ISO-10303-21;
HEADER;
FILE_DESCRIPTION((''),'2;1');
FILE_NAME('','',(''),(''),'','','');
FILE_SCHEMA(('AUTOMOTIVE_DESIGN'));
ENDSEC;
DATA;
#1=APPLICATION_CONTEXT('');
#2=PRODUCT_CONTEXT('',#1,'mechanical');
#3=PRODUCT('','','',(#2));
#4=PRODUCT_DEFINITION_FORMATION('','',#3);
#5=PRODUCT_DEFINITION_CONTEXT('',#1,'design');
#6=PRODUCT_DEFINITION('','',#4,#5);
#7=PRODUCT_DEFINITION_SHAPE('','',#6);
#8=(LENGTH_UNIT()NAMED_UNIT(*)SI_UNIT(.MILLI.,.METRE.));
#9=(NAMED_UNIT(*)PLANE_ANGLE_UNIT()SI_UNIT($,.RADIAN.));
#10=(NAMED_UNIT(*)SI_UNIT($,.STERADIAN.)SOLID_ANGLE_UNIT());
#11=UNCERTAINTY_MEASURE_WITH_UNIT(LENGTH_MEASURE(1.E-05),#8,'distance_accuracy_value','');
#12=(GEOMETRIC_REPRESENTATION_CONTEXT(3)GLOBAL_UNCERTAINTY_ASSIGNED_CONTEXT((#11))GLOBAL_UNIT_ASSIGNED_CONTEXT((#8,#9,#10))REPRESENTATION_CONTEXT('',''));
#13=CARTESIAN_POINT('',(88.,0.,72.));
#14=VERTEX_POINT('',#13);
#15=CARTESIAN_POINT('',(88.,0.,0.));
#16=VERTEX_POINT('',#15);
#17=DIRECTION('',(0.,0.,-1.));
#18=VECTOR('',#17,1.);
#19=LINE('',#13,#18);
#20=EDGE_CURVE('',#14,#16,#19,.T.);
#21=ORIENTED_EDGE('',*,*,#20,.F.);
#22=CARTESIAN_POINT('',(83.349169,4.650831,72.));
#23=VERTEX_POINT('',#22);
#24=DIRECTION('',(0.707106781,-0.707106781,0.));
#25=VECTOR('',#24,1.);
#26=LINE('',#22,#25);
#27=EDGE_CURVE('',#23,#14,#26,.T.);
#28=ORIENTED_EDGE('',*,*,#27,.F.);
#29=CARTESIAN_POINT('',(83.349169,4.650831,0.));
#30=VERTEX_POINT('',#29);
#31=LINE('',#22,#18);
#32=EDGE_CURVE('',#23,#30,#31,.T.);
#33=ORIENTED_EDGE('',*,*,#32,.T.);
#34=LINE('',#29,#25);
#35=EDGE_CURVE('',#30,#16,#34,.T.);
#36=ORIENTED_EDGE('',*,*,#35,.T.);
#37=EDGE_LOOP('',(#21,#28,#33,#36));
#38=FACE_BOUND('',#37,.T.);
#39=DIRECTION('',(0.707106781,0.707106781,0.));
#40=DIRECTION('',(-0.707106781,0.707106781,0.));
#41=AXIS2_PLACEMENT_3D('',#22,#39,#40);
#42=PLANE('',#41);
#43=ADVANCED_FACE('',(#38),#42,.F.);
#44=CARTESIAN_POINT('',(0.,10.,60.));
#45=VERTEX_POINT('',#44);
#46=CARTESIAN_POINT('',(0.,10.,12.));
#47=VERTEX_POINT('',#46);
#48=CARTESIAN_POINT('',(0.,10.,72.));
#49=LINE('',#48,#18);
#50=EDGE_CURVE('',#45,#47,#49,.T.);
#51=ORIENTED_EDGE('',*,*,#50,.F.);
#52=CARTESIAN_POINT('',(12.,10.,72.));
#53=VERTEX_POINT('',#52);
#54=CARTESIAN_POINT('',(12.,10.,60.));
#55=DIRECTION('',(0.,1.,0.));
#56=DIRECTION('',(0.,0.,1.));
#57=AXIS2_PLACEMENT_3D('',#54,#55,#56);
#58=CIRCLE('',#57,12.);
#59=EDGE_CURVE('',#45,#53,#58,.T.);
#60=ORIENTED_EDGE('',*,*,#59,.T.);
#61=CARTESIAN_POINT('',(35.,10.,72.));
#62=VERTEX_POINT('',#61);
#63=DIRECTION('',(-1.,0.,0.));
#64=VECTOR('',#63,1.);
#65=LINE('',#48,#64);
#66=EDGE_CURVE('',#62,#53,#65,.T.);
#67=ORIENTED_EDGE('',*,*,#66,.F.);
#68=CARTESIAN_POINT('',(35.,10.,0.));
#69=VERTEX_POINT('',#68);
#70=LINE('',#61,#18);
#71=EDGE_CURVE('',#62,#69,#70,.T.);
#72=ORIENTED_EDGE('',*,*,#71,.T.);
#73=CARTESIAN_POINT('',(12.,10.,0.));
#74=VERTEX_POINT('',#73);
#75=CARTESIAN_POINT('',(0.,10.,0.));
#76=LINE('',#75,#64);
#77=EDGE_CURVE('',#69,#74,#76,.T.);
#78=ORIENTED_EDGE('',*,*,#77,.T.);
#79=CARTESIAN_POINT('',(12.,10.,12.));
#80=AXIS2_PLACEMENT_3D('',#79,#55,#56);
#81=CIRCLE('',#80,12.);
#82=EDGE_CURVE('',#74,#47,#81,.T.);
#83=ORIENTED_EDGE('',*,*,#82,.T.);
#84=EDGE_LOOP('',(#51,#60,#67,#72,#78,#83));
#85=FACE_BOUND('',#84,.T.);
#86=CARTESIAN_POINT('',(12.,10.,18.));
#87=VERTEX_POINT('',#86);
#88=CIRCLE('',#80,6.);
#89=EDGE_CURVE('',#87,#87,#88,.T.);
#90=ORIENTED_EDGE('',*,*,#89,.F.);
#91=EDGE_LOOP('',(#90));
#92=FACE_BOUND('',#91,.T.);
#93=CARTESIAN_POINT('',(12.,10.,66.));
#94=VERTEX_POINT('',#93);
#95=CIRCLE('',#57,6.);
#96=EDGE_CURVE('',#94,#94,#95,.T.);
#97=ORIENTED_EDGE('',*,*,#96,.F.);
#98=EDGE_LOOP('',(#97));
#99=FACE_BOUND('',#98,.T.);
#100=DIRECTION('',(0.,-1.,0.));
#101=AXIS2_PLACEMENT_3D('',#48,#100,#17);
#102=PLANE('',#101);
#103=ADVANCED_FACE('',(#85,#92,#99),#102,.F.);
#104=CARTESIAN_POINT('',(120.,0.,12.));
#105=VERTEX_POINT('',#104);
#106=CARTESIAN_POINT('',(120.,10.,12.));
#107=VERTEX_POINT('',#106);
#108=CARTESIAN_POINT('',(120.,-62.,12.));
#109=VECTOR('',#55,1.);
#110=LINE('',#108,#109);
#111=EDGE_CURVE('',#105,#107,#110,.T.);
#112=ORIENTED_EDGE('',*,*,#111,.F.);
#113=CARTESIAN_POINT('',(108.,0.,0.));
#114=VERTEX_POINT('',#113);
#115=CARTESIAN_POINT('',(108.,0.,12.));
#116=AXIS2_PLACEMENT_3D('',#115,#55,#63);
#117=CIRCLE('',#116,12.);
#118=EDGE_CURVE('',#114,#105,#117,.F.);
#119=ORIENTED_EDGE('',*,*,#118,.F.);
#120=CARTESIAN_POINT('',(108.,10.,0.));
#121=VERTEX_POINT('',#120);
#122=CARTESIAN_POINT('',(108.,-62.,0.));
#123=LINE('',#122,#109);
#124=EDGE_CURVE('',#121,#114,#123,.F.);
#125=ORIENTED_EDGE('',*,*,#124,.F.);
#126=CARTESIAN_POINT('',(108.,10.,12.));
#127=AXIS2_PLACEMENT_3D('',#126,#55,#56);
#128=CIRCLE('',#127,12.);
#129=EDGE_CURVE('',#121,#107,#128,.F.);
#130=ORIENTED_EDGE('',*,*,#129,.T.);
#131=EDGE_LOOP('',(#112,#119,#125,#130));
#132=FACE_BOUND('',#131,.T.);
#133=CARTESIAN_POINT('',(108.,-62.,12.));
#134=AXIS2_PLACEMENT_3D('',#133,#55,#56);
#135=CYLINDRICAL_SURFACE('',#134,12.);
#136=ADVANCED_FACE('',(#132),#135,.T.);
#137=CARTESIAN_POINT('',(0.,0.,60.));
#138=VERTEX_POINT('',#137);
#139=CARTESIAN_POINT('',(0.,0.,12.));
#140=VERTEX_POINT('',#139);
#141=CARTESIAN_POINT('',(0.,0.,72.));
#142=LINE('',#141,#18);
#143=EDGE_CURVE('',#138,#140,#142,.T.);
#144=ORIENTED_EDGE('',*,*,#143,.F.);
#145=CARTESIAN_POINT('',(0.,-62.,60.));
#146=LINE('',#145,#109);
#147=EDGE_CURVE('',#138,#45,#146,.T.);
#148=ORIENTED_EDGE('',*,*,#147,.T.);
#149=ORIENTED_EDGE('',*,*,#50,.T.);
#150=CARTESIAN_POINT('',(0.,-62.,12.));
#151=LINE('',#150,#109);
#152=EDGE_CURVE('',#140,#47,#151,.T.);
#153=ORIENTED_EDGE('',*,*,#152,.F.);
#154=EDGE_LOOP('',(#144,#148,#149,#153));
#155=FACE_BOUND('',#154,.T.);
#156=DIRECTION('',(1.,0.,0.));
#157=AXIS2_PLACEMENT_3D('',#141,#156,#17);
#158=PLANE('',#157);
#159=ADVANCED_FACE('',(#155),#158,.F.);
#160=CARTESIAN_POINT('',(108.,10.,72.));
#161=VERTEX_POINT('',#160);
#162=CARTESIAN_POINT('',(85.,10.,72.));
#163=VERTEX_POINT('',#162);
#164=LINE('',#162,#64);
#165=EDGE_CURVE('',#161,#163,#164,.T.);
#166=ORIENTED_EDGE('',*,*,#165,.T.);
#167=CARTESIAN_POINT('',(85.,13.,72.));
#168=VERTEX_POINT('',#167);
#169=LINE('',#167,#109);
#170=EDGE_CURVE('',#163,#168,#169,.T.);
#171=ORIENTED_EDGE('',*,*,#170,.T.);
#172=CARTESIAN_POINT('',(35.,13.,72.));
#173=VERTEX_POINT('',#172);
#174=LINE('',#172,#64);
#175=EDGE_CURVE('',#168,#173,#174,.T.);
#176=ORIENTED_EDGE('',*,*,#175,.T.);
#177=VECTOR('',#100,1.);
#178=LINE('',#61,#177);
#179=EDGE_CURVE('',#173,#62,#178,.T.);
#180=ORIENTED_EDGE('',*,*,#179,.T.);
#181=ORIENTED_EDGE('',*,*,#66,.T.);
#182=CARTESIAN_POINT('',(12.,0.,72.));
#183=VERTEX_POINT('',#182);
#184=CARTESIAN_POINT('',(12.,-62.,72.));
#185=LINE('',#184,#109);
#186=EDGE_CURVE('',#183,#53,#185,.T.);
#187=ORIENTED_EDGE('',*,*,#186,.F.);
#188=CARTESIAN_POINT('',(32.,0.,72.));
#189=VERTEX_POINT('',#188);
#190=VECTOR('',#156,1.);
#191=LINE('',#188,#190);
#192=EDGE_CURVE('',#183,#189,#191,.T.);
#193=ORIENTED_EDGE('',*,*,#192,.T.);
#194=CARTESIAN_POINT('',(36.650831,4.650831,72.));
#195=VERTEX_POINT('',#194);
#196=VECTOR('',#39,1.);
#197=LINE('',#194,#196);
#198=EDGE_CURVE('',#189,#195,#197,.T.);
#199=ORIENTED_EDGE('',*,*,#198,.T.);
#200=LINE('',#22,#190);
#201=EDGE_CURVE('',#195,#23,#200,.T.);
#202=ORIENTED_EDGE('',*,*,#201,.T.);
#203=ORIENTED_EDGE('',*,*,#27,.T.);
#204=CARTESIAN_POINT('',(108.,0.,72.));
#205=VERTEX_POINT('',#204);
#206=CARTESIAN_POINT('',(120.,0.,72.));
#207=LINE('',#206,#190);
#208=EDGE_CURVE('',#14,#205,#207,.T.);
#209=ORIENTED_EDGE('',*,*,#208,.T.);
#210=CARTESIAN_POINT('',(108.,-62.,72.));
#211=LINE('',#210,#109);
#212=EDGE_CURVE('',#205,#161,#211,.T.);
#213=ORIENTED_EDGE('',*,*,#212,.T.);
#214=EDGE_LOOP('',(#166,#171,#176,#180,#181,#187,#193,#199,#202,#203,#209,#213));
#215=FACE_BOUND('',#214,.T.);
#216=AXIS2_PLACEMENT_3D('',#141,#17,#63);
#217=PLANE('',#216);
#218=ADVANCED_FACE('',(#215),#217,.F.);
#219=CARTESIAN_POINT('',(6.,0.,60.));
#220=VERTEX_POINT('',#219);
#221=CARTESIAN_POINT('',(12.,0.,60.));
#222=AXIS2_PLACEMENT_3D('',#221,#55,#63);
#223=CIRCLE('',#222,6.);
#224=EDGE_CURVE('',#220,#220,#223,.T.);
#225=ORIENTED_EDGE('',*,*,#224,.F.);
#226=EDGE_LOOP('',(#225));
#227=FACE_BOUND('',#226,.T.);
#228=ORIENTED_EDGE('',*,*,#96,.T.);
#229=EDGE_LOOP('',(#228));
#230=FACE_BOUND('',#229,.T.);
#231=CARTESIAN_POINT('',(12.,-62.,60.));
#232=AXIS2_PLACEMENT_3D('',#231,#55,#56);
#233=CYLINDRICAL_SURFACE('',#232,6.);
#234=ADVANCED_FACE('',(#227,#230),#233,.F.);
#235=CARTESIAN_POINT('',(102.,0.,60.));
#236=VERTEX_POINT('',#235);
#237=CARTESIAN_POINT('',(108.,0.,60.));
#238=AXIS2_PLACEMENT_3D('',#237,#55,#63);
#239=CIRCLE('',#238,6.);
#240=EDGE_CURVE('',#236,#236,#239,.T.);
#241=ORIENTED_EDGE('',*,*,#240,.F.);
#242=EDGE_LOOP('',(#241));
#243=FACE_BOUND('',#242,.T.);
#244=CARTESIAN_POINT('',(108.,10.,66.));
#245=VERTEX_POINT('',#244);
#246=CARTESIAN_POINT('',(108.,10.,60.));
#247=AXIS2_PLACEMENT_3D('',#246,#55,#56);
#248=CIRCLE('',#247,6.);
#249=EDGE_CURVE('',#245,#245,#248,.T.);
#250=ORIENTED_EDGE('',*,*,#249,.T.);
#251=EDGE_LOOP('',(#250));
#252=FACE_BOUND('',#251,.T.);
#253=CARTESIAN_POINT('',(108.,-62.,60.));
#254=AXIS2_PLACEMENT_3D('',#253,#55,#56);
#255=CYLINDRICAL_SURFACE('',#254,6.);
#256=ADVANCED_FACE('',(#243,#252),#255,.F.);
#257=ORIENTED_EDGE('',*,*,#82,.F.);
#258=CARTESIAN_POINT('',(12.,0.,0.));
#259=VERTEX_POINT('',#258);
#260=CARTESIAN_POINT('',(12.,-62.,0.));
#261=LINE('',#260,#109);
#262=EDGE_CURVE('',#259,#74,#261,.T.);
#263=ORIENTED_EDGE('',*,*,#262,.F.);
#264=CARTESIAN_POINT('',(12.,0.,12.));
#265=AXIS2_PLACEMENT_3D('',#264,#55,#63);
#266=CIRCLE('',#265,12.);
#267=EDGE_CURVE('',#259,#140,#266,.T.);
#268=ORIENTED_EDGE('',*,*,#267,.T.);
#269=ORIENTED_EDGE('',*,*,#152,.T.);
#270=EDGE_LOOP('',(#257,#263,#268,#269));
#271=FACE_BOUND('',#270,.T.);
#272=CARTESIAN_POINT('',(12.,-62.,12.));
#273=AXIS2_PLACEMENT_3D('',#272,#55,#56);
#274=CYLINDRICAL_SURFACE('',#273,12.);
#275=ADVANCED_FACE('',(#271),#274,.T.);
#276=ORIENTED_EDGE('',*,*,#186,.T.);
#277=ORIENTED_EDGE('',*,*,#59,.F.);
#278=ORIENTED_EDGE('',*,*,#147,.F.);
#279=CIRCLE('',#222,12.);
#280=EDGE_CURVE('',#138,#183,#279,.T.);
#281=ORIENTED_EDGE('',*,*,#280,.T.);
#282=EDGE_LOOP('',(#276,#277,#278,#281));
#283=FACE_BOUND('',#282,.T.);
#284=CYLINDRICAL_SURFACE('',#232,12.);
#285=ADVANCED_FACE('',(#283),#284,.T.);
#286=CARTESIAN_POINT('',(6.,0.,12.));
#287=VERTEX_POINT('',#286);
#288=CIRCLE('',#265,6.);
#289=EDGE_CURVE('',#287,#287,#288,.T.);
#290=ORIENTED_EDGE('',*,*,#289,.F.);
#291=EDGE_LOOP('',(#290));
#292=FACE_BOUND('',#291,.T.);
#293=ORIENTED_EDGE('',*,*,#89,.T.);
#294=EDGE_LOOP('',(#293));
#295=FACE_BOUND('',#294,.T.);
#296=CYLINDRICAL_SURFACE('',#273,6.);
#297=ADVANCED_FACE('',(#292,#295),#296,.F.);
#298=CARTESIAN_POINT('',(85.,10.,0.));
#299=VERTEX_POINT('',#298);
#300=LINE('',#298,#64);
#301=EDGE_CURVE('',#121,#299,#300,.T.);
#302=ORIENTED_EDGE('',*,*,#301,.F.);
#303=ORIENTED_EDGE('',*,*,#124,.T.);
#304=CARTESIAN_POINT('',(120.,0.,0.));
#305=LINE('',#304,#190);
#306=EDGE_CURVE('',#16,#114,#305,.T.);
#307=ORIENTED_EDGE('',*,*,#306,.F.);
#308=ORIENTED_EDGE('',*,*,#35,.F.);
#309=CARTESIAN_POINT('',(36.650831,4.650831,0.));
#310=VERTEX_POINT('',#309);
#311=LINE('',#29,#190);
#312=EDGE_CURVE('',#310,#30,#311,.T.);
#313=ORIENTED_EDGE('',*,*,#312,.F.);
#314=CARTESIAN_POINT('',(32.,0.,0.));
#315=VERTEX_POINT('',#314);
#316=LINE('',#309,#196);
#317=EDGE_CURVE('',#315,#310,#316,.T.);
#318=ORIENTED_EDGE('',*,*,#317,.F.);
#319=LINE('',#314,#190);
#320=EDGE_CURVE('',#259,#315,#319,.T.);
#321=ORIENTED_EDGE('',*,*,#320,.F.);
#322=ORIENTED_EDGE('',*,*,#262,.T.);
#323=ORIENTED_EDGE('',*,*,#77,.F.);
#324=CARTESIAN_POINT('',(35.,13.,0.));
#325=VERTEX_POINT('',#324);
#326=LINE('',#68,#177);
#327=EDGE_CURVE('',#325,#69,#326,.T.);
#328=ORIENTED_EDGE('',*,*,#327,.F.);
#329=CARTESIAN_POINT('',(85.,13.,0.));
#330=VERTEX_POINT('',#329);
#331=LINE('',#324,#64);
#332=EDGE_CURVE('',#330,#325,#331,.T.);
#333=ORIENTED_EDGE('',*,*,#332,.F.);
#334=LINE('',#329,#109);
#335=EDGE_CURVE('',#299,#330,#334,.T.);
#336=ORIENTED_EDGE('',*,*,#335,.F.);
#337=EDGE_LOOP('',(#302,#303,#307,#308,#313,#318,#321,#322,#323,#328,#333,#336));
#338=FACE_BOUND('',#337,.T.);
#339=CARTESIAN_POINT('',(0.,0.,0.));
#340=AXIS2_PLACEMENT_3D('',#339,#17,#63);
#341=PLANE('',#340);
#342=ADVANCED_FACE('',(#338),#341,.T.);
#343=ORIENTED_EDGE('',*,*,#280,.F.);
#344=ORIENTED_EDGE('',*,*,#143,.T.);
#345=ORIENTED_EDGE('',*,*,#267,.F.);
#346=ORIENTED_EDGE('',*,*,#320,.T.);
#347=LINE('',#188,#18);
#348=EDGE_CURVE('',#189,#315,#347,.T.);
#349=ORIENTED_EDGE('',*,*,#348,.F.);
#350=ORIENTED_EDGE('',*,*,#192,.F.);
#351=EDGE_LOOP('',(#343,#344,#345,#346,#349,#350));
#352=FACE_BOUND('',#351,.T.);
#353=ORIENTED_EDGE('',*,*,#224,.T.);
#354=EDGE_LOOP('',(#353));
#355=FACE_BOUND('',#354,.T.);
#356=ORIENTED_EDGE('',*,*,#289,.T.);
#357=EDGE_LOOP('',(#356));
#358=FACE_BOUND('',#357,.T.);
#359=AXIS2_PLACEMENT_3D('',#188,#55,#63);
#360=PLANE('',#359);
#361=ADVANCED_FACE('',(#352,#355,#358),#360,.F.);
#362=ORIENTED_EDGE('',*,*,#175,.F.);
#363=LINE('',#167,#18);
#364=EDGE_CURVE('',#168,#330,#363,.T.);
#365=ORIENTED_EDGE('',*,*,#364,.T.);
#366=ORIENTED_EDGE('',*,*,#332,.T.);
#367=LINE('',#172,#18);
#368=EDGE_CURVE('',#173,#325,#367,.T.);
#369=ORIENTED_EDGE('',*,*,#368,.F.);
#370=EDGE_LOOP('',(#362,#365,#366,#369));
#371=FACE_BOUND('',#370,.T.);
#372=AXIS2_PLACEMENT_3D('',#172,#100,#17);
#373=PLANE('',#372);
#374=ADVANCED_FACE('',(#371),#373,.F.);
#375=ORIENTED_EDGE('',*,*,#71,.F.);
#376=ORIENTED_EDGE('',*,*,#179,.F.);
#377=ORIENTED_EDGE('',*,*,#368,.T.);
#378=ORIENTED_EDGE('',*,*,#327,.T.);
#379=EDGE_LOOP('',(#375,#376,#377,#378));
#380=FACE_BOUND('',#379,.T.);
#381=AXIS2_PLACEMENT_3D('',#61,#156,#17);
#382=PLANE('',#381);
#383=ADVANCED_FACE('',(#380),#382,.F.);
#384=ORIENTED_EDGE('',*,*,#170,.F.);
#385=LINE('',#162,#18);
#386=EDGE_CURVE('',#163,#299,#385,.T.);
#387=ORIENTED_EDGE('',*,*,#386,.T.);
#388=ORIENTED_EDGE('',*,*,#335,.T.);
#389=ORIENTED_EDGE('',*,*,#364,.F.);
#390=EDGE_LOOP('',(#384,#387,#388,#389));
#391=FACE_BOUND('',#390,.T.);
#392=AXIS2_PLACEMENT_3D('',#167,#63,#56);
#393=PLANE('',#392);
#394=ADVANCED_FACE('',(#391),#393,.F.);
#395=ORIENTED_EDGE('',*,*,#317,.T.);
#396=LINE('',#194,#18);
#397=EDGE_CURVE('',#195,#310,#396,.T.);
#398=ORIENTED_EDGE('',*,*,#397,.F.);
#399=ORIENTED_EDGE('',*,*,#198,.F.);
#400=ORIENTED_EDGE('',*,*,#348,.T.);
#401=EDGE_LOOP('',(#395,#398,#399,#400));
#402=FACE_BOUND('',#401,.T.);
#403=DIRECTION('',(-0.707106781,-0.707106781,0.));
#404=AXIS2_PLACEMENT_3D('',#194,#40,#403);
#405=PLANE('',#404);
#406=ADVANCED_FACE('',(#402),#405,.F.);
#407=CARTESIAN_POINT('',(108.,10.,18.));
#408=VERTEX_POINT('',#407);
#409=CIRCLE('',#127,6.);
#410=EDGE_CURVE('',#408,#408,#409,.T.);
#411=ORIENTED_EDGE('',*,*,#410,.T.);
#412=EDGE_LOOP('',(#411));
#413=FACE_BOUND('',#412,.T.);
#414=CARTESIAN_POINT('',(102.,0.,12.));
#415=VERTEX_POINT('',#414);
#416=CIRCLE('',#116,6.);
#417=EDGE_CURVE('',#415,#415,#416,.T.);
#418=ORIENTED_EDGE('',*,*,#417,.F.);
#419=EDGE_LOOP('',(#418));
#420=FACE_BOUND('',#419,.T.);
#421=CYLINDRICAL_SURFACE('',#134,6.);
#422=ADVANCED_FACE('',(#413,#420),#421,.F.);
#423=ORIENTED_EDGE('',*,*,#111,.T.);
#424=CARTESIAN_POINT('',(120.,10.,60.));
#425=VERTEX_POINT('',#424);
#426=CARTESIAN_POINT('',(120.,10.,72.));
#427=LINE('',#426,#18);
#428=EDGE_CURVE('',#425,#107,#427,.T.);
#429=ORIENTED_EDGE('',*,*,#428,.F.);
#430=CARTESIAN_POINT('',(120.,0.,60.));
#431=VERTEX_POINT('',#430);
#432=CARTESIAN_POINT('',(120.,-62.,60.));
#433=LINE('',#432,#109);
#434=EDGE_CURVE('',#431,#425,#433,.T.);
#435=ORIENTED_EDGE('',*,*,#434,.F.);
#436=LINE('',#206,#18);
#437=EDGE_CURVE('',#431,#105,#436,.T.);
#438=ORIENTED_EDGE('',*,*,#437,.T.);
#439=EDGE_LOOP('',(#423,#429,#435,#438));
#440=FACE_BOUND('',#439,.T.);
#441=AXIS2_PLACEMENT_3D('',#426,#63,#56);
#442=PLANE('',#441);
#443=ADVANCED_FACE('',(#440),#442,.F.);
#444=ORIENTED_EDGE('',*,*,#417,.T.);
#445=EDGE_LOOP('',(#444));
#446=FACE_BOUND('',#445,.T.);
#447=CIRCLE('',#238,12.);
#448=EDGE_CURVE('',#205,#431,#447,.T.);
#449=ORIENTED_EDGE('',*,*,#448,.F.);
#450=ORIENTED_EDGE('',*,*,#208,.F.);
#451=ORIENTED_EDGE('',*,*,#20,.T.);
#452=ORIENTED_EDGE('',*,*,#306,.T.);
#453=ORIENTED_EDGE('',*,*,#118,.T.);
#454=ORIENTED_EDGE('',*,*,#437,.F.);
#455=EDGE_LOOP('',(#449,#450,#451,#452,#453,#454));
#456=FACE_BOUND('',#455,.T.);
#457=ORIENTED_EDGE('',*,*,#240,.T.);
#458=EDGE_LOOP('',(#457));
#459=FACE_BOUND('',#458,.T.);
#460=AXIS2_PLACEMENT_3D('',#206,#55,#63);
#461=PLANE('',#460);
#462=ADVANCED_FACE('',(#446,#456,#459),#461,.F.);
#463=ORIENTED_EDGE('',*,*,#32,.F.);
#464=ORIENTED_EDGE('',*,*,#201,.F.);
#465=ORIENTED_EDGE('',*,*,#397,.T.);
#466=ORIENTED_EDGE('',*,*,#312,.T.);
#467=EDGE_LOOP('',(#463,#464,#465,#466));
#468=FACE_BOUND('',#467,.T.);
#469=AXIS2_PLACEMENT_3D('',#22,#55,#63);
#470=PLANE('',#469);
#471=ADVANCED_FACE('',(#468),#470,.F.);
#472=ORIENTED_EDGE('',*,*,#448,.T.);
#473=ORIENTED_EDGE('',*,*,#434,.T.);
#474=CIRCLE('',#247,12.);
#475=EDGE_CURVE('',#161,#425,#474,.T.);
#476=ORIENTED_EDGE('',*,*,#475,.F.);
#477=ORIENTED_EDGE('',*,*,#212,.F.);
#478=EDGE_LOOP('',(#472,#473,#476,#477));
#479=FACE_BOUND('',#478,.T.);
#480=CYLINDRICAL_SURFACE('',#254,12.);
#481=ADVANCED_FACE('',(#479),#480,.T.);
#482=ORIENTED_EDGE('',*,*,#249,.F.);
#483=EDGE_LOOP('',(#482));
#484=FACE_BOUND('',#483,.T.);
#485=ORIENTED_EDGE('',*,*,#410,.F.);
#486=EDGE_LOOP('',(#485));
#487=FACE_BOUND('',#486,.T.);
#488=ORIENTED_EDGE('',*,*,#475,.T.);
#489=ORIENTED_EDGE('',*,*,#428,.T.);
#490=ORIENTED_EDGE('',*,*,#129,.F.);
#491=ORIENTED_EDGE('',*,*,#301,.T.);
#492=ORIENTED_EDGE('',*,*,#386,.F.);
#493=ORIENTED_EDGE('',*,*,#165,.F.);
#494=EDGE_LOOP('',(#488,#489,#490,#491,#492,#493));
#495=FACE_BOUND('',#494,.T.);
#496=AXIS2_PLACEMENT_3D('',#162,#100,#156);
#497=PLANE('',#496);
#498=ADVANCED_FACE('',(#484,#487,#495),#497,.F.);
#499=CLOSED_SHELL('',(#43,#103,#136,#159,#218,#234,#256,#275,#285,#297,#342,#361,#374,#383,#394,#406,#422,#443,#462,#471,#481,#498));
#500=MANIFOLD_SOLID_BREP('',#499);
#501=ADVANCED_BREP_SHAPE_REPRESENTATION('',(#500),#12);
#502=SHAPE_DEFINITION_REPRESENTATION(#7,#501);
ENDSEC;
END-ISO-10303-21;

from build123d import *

# Parameters (mm, degrees)
BOSS_EXTRUDE1_DEPTH = 72
SKETCH3_R           = 6
CUT_EXTRUDE1_DEPTH  = 72


with BuildPart() as part:
    # Sketch1 → Boss-Extrude1 (new body)
    with BuildSketch(Plane.XY):
        Polygon((0, 0), (0, 10), (35, 10), (35, 13), (85, 13), (85, 10), (120, 10), (120, 0), (88, 0), (83.349169446, 4.650830554), (36.650830554, 4.650830554), (32, 0), align=None)
    extrude(amount=BOSS_EXTRUDE1_DEPTH)

    # Sketch3 → Cut-Extrude1 (cut)
    with BuildSketch(Plane(origin=(0, 10, 0), x_dir=(1, 0, 0), z_dir=(0, 1, 0))):
        with Locations(Location((12, -12, 0), (0, 0, 270))):
            Circle(SKETCH3_R)
        with Locations(Location((108, -12, 0), (0, 0, 270))):
            Circle(SKETCH3_R)
        with Locations(Location((108, -60, 0), (0, 0, 270))):
            Circle(SKETCH3_R)
        with Locations(Location((12, -60, 0), (0, 0, 270))):
            Circle(SKETCH3_R)
        with BuildLine():
            ThreePointArc((0, -12), (3.514718626, -3.514718626), (12, 0))
            Line((12, 0), (0, 0))
            Line((0, 0), (0, -12))
        make_face()
        with BuildLine():
            ThreePointArc((12, -72), (3.514718626, -68.485281374), (0, -60))
            Line((0, -60), (0, -72))
            Line((0, -72), (12, -72))
        make_face()
        with BuildLine():
            Line((120, -72), (120, -60))
            ThreePointArc((120, -60), (116.485281374, -68.485281374), (108, -72))
            Line((108, -72), (120, -72))
        make_face()
        with BuildLine():
            Line((120, 0), (108, 0))
            ThreePointArc((108, 0), (116.485281374, -3.514718626), (120, -12))
            Line((120, -12), (120, 0))
        make_face()
    extrude(amount=-CUT_EXTRUDE1_DEPTH, mode=Mode.SUBTRACT)


solid = part.part
